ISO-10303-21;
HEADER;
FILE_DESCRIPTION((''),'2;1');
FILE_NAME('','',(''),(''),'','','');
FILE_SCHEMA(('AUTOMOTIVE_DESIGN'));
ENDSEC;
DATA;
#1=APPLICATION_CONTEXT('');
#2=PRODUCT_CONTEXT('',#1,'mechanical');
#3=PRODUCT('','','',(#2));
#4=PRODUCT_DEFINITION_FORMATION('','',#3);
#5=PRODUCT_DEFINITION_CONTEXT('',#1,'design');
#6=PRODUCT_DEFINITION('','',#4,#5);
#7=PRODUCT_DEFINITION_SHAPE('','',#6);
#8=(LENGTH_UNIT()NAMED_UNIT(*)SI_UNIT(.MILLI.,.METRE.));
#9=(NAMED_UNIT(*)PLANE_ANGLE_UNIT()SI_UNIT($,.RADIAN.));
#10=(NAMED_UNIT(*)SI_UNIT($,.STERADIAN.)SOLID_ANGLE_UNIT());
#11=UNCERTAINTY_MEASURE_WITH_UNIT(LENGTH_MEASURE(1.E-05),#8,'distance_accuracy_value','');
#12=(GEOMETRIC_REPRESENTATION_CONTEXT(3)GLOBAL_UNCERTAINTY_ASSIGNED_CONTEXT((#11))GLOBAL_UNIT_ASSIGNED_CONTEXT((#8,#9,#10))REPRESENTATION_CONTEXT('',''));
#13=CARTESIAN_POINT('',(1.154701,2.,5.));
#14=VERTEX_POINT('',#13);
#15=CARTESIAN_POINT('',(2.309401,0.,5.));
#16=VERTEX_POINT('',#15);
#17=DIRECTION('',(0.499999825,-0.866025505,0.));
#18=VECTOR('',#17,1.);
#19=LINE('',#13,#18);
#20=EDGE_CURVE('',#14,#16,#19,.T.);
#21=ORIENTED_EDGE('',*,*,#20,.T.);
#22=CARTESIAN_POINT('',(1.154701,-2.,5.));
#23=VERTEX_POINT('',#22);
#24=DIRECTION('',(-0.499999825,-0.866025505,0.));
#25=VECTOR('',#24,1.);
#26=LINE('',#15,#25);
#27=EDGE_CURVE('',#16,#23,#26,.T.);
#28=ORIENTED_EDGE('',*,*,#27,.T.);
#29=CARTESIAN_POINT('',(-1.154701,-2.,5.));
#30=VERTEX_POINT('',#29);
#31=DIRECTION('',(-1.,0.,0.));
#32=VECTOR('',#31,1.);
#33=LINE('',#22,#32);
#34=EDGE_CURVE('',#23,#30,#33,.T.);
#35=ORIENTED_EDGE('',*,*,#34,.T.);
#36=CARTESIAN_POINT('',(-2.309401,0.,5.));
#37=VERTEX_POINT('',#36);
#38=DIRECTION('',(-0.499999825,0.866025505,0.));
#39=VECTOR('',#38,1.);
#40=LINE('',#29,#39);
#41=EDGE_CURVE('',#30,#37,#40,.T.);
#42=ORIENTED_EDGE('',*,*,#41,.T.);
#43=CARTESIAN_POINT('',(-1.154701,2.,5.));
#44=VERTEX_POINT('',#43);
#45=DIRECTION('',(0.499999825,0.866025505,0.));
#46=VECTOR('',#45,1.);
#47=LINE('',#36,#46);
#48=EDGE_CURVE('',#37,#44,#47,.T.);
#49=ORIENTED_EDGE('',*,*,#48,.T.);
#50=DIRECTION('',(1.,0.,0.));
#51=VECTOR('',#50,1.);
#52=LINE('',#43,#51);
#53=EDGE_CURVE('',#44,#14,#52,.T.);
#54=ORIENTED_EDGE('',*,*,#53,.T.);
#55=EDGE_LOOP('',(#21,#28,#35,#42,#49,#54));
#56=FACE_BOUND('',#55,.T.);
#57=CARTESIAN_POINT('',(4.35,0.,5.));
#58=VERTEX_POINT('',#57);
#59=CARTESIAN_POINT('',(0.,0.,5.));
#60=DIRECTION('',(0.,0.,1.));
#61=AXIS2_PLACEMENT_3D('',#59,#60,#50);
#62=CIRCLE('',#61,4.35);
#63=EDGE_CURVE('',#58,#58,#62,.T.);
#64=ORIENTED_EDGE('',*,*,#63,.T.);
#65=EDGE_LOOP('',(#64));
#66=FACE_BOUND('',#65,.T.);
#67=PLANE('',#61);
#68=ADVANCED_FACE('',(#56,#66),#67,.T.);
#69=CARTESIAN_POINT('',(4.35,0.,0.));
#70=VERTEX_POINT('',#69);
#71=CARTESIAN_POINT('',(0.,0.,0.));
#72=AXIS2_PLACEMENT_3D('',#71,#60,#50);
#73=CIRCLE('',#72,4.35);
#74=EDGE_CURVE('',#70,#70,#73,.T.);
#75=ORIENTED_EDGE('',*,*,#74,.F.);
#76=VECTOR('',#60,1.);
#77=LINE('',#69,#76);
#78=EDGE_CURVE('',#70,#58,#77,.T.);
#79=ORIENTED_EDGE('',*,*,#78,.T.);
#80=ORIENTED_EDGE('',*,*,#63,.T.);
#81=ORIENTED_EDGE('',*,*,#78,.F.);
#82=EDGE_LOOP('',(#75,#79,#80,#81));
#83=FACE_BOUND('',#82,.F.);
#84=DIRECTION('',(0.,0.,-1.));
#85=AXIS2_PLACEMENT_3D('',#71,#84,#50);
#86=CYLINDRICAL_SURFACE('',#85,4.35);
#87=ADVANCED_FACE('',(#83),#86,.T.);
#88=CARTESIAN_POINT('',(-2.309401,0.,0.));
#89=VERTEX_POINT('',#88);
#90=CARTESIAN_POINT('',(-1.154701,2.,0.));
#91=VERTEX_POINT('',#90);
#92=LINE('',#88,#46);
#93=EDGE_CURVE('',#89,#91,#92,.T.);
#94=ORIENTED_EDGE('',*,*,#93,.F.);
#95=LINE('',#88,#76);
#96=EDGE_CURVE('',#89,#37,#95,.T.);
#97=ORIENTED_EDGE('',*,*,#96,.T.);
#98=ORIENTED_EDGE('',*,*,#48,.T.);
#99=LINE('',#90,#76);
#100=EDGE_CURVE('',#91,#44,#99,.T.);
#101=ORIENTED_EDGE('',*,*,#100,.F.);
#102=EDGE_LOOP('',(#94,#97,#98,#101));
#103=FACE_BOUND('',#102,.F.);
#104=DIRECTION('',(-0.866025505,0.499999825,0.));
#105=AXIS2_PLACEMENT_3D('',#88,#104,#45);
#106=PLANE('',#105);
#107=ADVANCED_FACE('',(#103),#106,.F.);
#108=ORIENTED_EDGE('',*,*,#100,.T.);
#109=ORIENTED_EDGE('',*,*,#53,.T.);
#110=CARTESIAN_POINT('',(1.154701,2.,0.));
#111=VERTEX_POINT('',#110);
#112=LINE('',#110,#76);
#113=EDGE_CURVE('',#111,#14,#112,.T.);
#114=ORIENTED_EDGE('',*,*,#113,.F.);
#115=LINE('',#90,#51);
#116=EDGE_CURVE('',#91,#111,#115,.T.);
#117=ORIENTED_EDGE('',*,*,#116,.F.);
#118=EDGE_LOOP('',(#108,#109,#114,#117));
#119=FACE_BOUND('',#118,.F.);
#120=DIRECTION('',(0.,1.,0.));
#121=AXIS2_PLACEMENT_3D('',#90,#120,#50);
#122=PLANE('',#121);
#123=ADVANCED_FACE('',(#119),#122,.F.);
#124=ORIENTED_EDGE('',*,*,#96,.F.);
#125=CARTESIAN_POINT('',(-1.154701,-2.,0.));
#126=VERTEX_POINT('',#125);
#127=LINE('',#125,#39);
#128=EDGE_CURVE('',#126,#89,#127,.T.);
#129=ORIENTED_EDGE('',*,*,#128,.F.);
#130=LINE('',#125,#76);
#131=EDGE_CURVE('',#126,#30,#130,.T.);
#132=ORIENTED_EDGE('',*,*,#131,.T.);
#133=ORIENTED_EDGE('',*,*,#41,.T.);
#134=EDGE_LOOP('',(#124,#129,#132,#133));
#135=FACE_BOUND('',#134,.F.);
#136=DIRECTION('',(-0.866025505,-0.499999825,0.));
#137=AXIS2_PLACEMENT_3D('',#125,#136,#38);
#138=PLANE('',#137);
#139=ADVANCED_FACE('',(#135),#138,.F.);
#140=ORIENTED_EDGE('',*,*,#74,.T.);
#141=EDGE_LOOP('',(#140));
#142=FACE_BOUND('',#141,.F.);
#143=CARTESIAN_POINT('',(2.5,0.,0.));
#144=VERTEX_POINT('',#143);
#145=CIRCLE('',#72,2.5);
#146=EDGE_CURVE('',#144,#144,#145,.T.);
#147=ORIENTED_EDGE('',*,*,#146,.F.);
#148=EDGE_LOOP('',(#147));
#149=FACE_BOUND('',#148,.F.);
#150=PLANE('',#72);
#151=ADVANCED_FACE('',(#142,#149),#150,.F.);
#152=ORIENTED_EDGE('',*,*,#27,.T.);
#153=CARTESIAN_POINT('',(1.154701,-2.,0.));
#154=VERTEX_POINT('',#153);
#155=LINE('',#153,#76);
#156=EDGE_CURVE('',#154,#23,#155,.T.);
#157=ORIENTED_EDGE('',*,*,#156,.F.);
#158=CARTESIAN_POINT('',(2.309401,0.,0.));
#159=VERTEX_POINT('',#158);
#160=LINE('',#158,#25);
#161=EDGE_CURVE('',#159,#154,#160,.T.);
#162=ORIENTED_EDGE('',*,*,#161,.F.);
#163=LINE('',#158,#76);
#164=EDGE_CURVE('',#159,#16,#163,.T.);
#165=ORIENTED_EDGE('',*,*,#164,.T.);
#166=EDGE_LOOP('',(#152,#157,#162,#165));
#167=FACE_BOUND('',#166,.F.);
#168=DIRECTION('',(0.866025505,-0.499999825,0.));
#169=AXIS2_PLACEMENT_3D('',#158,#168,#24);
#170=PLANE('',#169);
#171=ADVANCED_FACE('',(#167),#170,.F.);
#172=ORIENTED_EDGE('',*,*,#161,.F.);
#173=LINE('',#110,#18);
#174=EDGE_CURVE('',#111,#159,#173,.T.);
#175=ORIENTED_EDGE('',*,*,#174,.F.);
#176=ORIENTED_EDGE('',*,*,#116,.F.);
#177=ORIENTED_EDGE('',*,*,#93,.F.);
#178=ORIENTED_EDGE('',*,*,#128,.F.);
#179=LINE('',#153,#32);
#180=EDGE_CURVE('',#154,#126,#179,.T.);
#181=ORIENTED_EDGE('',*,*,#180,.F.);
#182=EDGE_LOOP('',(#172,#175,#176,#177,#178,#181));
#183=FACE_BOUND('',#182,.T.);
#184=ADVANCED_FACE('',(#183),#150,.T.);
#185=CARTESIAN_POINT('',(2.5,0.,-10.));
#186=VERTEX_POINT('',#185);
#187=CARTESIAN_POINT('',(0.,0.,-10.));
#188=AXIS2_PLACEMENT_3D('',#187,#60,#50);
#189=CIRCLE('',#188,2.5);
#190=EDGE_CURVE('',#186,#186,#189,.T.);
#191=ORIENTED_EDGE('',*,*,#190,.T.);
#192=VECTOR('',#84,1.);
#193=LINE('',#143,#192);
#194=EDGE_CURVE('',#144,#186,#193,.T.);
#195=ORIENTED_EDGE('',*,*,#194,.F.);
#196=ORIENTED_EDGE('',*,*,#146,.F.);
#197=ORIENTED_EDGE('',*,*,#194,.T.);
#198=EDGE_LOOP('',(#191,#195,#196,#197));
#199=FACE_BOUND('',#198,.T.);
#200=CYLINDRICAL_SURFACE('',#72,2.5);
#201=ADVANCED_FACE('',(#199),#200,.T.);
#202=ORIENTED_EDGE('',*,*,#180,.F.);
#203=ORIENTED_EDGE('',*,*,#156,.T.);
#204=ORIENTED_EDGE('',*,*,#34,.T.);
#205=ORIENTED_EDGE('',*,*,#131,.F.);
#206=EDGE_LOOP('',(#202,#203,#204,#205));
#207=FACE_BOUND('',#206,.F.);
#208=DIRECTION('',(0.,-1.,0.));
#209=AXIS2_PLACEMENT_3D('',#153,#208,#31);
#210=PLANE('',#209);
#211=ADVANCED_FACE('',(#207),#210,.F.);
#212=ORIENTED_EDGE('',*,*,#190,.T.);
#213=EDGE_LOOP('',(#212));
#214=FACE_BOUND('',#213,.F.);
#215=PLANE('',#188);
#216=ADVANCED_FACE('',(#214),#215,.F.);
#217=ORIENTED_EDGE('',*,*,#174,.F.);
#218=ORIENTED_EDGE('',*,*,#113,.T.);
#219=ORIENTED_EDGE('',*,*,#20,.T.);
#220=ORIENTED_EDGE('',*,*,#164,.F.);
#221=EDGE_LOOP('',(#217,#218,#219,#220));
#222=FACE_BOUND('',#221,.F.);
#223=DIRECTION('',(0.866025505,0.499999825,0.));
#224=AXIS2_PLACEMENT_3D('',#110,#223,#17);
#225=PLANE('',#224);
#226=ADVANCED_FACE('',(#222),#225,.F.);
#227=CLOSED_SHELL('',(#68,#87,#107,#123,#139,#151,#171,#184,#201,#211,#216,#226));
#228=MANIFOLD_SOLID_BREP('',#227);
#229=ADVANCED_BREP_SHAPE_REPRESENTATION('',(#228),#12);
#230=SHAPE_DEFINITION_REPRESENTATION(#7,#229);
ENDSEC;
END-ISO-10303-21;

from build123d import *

# Parameters (mm, degrees)
F0_R     = 2.5
F1_DEPTH = 10
F0_R_2   = 4.35
F2_DEPTH = 5


with BuildPart() as f1:
    # F0 (on Top) → F1 (new body)
    with BuildSketch(Plane.XY):
        Circle(F0_R)
        Polygon((2.309401, 0), (1.154701, -2), (-1.154701, -2), (-2.309401, 0), (-1.154701, 2), (1.154701, 2), align=None, mode=Mode.SUBTRACT)
        Polygon((-1.154701, -2), (1.154701, -2), (2.309401, 0), (1.154701, 2), (-1.154701, 2), (-2.309401, 0), align=None)
    extrude(amount=-F1_DEPTH)

    # F0 (on Top) → F2 (join)
    with BuildSketch(Plane.XY):
        Circle(F0_R_2)
        Circle(F0_R, mode=Mode.SUBTRACT)
        Circle(F0_R)
        Polygon((2.309401, 0), (1.154701, -2), (-1.154701, -2), (-2.309401, 0), (-1.154701, 2), (1.154701, 2), align=None, mode=Mode.SUBTRACT)
    extrude(amount=F2_DEPTH)


solid = f1.part
